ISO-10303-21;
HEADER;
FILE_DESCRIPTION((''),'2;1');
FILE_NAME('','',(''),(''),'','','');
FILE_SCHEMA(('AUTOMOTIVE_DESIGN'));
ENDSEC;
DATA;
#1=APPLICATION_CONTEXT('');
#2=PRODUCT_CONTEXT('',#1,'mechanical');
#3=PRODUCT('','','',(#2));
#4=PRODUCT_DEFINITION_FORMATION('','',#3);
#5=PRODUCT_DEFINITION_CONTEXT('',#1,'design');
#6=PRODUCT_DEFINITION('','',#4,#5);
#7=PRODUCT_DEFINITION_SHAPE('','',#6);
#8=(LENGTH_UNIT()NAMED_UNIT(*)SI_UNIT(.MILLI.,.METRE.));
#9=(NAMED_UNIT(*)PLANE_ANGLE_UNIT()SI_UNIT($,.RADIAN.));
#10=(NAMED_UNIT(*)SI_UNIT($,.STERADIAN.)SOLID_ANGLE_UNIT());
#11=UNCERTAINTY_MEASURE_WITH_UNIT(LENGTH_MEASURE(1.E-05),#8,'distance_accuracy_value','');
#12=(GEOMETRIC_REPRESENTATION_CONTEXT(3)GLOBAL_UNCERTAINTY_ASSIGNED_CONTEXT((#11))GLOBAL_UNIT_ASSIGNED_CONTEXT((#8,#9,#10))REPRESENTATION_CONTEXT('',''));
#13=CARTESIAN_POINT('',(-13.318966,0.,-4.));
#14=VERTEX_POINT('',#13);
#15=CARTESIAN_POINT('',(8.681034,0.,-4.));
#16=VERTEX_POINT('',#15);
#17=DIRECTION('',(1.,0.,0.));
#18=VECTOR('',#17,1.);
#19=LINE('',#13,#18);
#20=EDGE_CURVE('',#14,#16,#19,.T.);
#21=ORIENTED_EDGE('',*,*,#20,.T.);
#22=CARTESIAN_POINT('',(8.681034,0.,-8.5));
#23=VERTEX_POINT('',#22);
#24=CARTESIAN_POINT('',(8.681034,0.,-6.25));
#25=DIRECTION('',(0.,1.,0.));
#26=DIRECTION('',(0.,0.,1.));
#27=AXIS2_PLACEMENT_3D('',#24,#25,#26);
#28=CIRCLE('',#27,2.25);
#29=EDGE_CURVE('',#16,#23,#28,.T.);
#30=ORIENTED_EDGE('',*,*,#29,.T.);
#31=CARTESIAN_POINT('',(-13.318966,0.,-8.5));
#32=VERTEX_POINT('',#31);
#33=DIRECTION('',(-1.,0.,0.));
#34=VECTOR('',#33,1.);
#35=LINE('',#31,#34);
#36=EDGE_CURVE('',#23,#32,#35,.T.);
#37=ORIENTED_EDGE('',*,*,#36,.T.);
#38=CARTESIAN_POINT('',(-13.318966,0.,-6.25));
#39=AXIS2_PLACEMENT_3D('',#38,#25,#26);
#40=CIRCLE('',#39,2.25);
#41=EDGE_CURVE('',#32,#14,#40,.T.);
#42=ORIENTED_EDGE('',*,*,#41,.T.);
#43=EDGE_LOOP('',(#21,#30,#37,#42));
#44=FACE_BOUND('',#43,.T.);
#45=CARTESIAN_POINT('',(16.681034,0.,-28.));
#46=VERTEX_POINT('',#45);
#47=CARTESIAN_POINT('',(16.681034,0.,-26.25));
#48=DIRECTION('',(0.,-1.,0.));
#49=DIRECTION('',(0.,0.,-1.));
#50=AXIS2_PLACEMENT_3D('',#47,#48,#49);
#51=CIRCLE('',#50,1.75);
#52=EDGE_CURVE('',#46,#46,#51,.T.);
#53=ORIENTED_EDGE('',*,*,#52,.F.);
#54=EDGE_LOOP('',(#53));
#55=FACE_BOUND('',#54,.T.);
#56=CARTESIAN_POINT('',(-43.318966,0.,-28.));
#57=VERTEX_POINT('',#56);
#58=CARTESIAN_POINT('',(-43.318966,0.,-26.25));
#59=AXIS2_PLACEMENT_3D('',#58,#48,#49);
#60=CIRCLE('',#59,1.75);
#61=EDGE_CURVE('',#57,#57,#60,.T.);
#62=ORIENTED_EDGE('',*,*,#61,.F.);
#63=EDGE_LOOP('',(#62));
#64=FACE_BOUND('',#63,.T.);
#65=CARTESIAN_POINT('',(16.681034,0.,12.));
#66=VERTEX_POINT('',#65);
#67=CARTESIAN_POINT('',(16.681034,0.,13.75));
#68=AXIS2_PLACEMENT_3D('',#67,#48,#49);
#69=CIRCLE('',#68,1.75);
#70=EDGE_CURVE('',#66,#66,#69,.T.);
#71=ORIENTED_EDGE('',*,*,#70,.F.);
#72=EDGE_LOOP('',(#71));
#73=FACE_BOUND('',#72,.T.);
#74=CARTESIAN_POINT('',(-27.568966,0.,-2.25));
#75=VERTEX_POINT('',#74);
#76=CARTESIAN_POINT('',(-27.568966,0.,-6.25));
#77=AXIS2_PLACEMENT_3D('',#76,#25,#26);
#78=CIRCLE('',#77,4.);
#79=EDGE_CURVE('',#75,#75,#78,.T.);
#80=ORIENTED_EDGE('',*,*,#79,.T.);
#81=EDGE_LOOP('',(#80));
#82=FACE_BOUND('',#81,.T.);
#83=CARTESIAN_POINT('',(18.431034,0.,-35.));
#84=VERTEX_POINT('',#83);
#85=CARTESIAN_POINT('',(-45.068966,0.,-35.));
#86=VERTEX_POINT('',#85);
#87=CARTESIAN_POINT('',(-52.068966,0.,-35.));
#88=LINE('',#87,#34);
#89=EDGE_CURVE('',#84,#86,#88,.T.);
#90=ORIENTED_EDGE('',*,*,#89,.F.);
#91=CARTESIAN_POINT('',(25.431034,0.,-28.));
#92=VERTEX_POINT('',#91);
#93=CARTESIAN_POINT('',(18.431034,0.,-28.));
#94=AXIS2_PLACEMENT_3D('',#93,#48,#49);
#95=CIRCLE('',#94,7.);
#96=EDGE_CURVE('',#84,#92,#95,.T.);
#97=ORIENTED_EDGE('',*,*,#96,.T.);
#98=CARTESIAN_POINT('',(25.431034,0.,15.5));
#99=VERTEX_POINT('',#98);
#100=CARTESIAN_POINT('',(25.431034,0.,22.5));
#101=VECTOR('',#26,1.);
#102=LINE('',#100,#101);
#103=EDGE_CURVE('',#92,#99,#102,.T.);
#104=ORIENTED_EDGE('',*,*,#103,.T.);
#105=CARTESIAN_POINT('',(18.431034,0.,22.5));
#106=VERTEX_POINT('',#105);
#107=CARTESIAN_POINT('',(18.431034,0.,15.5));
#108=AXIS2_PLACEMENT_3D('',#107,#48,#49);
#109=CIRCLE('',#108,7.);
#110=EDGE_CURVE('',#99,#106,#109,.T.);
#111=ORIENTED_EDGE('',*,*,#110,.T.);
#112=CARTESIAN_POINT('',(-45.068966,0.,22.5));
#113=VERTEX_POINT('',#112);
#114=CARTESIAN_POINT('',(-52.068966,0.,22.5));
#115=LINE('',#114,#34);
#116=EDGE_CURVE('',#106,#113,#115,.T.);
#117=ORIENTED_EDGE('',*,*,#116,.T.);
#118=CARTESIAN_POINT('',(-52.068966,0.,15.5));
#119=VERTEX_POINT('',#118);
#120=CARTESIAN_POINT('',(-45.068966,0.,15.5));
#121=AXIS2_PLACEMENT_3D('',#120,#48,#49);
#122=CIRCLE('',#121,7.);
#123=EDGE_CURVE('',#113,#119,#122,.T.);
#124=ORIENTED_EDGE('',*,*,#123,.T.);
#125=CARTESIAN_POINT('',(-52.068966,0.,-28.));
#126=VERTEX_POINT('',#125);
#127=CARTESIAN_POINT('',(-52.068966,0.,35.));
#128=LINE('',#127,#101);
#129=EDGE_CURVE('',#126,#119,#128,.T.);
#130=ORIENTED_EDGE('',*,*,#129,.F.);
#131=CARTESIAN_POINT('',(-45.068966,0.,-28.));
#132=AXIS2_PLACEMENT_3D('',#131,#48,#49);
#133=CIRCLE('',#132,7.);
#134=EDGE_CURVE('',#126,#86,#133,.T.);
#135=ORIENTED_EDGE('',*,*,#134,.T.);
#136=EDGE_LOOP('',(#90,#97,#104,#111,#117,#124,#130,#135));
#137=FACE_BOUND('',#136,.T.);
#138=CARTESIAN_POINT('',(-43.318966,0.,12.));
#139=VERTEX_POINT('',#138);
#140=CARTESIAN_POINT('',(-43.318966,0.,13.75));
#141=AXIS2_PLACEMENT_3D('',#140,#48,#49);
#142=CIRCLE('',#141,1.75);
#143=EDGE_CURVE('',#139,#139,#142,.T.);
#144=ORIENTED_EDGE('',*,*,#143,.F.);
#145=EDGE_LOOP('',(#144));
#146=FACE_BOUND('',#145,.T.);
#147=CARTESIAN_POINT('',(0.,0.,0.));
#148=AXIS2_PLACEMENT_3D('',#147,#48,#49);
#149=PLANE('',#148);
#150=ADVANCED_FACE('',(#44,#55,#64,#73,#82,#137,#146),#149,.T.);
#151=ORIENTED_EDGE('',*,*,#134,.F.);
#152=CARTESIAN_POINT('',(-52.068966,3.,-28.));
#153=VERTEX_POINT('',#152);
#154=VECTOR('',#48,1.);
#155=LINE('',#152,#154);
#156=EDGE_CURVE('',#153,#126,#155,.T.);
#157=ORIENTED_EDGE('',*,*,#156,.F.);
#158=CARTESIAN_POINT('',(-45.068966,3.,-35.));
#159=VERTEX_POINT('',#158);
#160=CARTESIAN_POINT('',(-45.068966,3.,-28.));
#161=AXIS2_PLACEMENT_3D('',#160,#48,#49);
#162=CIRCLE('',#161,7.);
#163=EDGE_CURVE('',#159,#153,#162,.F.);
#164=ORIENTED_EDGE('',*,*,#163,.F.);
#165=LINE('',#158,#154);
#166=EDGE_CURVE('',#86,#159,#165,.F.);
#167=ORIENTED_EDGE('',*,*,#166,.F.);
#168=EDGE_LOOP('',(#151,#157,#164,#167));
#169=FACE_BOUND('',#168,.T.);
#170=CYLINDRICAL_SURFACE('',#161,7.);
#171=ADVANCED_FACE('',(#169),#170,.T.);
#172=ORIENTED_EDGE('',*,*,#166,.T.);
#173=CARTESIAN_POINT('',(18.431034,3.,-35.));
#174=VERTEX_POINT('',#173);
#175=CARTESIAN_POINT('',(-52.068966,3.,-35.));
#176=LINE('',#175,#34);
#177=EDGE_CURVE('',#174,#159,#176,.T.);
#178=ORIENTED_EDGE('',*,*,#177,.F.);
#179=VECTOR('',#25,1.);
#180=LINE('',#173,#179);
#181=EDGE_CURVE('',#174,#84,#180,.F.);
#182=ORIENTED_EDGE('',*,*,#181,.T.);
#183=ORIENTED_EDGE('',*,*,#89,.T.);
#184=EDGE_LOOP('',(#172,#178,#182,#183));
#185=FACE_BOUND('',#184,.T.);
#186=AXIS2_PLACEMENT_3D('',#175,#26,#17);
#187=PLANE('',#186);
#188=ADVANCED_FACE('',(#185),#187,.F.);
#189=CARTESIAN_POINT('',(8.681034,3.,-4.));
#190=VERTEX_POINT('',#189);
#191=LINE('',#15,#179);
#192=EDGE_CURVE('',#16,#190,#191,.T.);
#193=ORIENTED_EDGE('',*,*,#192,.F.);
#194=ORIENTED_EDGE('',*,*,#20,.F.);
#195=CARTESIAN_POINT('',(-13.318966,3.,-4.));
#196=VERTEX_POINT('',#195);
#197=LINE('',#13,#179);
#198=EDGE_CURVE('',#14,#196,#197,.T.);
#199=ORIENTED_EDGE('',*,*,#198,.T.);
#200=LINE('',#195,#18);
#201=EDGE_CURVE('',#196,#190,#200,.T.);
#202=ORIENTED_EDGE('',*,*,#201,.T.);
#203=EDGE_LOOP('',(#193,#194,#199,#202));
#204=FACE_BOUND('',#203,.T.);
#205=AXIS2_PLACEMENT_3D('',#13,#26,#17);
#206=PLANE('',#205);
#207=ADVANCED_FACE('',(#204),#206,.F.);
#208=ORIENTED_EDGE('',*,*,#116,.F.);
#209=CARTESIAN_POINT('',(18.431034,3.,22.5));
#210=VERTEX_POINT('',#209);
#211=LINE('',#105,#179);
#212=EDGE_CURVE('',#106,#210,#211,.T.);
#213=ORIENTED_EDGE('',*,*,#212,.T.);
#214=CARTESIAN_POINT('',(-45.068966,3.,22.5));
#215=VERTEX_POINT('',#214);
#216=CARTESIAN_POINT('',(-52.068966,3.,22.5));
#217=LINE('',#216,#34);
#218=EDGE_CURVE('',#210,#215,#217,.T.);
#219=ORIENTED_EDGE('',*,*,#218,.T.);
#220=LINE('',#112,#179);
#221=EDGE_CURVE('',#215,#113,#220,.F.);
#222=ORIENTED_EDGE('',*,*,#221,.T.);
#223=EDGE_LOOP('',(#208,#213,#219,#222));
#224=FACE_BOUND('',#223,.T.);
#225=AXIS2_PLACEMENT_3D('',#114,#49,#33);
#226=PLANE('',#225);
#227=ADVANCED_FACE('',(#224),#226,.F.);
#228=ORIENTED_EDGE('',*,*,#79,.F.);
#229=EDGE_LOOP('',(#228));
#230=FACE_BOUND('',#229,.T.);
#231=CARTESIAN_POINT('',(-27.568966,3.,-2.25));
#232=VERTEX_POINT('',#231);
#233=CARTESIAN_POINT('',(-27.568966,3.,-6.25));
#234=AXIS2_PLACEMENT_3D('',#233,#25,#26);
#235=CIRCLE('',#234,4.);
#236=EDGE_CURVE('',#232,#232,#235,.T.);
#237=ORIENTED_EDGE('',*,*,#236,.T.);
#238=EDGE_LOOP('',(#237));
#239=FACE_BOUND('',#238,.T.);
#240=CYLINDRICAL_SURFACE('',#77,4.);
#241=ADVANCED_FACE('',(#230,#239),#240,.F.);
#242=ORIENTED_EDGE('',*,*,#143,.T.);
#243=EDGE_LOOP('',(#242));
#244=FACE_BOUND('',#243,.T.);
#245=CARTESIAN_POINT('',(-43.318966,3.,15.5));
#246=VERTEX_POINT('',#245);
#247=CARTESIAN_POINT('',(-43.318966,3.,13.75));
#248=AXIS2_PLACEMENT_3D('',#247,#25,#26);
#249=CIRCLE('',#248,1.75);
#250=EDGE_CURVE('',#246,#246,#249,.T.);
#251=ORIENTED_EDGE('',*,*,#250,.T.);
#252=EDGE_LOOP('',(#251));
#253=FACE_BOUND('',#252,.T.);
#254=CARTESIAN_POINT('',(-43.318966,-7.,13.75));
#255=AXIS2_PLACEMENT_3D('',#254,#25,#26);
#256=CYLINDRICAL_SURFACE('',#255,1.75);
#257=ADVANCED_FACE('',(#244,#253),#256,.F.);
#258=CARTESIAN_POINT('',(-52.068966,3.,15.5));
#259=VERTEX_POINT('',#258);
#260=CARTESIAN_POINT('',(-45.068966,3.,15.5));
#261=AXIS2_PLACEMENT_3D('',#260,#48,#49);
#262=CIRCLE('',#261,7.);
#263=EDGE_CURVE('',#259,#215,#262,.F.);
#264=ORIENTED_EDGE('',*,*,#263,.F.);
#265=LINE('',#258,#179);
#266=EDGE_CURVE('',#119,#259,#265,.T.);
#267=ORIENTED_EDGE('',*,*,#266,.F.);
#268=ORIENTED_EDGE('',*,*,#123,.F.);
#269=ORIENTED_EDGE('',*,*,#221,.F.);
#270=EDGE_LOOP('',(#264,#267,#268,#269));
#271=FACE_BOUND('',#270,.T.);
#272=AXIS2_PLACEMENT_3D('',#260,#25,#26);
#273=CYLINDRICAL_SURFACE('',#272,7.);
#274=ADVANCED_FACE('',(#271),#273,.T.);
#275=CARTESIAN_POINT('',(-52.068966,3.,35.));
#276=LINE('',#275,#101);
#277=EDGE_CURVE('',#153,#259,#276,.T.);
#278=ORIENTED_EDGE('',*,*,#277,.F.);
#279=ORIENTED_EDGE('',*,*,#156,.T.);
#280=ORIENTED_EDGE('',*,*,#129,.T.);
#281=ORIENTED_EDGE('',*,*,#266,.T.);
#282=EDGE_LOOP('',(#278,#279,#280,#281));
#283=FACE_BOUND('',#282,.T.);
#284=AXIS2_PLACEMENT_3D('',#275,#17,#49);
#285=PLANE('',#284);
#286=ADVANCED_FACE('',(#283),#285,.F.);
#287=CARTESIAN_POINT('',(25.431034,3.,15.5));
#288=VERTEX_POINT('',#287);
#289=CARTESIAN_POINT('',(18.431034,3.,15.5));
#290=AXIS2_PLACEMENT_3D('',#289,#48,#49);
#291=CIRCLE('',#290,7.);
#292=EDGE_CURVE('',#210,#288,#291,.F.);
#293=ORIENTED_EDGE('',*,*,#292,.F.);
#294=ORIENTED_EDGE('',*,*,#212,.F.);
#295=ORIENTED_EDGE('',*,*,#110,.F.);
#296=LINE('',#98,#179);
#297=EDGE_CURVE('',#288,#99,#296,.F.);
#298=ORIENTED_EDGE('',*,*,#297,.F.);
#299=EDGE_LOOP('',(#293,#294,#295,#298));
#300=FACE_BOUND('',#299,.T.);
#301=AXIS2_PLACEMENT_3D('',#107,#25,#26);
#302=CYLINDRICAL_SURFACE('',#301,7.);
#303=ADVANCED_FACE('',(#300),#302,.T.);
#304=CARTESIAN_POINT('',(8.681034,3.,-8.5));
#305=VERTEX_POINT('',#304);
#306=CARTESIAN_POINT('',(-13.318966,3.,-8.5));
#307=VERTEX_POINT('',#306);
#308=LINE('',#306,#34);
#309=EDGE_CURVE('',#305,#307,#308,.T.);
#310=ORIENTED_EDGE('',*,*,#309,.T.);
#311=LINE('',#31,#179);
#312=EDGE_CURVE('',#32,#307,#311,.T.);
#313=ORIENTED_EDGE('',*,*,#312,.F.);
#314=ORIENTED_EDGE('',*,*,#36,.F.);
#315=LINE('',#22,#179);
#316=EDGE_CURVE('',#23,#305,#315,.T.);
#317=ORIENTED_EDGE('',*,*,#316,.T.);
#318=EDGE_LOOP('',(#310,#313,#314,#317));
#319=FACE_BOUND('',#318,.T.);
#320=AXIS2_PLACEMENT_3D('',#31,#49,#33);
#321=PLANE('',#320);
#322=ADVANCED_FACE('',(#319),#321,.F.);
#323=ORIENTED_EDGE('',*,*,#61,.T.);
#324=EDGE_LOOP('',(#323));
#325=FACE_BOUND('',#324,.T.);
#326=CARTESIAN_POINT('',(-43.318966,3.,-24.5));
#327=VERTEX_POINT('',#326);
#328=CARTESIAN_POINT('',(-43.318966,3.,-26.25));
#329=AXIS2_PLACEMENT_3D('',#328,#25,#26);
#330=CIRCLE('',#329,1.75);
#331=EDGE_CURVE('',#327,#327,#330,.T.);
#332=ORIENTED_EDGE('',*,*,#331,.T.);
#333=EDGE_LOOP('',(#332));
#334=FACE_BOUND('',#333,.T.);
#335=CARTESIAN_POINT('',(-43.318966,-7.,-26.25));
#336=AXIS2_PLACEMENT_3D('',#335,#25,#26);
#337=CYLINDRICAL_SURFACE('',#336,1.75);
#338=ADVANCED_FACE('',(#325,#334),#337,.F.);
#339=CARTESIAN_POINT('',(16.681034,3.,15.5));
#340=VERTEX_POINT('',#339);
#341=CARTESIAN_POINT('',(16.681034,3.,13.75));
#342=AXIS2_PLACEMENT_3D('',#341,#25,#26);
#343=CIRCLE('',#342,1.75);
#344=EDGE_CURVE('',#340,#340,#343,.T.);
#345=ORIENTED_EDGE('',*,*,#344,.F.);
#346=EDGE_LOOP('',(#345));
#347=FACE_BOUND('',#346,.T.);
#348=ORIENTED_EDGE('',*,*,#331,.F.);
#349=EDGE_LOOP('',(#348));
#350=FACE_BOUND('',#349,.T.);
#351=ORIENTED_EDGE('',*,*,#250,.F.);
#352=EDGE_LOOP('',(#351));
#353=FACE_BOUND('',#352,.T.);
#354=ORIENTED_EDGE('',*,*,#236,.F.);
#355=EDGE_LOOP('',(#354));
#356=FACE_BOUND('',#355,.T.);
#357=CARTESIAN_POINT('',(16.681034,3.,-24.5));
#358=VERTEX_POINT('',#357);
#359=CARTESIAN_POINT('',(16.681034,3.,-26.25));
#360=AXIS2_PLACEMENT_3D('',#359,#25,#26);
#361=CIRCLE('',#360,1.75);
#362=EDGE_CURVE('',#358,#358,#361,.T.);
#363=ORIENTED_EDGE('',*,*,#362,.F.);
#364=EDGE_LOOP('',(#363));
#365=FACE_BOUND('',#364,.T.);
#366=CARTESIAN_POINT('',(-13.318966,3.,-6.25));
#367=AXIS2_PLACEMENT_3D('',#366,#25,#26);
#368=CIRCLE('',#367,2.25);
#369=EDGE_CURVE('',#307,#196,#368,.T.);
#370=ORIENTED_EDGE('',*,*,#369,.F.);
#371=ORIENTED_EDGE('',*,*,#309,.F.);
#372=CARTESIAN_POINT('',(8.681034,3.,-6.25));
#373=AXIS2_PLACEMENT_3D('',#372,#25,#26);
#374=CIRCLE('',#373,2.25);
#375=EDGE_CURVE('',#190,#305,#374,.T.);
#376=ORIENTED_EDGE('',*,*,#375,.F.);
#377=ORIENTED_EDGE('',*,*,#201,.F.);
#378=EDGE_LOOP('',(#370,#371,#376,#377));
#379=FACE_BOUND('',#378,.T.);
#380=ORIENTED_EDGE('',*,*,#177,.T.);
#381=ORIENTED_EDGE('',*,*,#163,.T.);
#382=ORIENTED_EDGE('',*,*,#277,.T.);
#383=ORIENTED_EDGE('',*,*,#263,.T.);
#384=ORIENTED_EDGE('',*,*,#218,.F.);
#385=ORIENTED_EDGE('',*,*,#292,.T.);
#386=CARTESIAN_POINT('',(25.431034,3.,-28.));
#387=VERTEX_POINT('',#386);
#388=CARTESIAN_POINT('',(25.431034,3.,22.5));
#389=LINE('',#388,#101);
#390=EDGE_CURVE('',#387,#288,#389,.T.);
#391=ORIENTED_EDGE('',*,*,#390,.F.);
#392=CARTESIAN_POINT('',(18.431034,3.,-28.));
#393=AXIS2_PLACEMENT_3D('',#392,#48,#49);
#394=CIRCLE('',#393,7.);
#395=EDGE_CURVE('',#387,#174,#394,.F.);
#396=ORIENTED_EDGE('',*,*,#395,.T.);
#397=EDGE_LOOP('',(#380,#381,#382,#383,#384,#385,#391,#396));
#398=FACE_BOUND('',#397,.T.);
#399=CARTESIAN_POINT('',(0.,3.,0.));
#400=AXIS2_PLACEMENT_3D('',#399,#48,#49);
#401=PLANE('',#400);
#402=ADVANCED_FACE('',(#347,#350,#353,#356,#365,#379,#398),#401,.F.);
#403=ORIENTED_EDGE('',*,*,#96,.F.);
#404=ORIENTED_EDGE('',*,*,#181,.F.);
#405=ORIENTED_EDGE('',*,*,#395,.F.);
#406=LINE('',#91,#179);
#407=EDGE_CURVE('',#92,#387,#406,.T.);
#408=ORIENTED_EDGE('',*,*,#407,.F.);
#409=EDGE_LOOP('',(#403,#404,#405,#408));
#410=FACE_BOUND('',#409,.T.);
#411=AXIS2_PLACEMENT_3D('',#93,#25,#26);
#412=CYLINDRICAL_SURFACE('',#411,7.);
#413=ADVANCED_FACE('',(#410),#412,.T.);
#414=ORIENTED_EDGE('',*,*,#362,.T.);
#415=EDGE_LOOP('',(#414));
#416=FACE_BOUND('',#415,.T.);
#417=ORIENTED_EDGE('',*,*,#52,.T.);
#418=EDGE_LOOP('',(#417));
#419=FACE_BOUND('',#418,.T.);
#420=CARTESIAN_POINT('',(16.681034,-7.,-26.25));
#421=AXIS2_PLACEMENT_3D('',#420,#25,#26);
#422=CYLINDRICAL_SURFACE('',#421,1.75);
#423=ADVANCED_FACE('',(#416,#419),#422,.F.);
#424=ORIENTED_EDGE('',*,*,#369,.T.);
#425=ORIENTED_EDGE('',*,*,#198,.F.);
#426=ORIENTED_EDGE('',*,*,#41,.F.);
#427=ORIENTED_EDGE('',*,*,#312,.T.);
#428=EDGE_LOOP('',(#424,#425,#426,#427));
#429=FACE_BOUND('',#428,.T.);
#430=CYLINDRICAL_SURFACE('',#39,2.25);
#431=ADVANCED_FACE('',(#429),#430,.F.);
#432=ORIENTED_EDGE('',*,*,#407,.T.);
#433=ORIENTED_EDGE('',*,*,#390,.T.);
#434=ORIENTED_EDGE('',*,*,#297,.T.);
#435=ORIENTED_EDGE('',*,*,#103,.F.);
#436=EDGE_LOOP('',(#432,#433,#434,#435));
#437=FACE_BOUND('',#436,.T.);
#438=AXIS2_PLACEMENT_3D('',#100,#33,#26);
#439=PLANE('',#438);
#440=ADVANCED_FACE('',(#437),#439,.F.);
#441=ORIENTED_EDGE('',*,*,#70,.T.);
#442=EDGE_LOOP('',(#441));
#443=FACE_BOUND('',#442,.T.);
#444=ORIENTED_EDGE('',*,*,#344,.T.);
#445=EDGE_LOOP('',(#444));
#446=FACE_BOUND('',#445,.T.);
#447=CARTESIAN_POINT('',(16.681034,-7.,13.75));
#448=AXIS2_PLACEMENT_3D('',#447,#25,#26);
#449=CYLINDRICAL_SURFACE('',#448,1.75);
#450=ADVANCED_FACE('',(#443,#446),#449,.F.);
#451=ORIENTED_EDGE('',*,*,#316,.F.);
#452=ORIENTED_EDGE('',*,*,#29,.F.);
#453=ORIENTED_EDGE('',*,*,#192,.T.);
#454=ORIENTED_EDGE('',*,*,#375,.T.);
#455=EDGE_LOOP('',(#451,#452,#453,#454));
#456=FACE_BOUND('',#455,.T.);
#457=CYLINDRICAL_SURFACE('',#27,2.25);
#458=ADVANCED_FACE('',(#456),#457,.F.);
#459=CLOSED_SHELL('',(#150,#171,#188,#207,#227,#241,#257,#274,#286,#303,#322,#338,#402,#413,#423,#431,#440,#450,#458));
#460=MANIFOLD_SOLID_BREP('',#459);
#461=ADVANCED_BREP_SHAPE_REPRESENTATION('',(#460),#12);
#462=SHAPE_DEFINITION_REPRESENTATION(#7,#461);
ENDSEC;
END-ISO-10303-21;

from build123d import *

# Parameters (mm, degrees)
SKETCH_1_W                  = 104.137931034
SKETCH_1_H                  = 70
EXTRUDE_1_DEPTH             = 3
SKETCH_2_R                  = 1.75
CUT_EXTRUDE_1_DEPTH         = 10
PATTERN_LINEAR_1_COUNT      = 2
PATTERN_LINEAR_1_PITCH      = 60
PATTERN_LINEAR_1_COUNT_DIR2 = 2
PATTERN_LINEAR_1_PITCH_DIR2 = 40
CUT_EXTRUDE_2_DEPTH         = 4
SKETCH_4_R                  = 4
CUT_EXTRUDE_3_DEPTH         = 4
FILLET_1_R                  = 7


with BuildPart() as part:
    # Эскиз1 → Бобышка-Вытянуть1 (new body)
    with BuildSketch(Plane(origin=(0, 0, 0), x_dir=(1, 0, 0), z_dir=(0, 1, 0))):
        Rectangle(SKETCH_1_W, SKETCH_1_H)
    extrude(amount=EXTRUDE_1_DEPTH)

    # Эскиз2 → Вырез-Вытянуть1 (cut)
    with BuildSketch(Plane(origin=(0, 3, 0), x_dir=(1, 0, 0), z_dir=(0, 1, 0))):
        with Locations((-43.318965517, 26.25)):
            Circle(SKETCH_2_R)
    cut_extrude_1 = extrude(amount=-CUT_EXTRUDE_1_DEPTH, mode=Mode.SUBTRACT)

    # Линейный массив1: Cut-Extrude 1 2 × 2
    with Locations(*[(i * PATTERN_LINEAR_1_PITCH, 0, j * PATTERN_LINEAR_1_PITCH_DIR2) for i in range(PATTERN_LINEAR_1_COUNT) for j in range(PATTERN_LINEAR_1_COUNT_DIR2) if (i, j) != (0, 0)]):
        add(cut_extrude_1, mode=Mode.SUBTRACT)

    # Эскиз3 → Вырез-Вытянуть2 (cut, through all)
    with BuildSketch(Plane(origin=(0, 3, 0), x_dir=(1, 0, 0), z_dir=(0, 1, 0))):
        Polygon((-52.068965517, -22.5), (25.431034483, -22.5), (25.431034483, 35), (52.068965517, 35), (52.068965517, -35), (-52.068965517, -35), align=None)
    extrude(amount=-CUT_EXTRUDE_2_DEPTH, mode=Mode.SUBTRACT)

    # Эскиз4 → Вырез-Вытянуть3 (cut, through all)
    with BuildSketch(Plane(origin=(0, 3, 0), x_dir=(1, 0, 0), z_dir=(0, 1, 0))):
        with Locations((-27.568965517, 6.25)):
            Circle(SKETCH_4_R)
        with BuildLine():
            Line((-13.318965517, 8.5), (8.681034483, 8.5))
            ThreePointArc((8.681034483, 8.5), (10.931034483, 6.25), (8.681034483, 4))
            Line((8.681034483, 4), (-13.318965517, 4))
            ThreePointArc((-13.318965517, 4), (-15.568965517, 6.25), (-13.318965517, 8.5))
        make_face()
    extrude(amount=-CUT_EXTRUDE_3_DEPTH, mode=Mode.SUBTRACT)

    # Скругление1
    fillet_1_edges = [part.edges().sort_by_distance(p)[0] for p in [
        (-52.068965517, 1.5, 22.5),
        (25.431034483, 1.5, 22.5),
        (25.431034483, 1.5, -35),
        (-52.068965517, 1.5, -35),
    ]]
    fillet(fillet_1_edges, radius=FILLET_1_R)


solid = part.part
